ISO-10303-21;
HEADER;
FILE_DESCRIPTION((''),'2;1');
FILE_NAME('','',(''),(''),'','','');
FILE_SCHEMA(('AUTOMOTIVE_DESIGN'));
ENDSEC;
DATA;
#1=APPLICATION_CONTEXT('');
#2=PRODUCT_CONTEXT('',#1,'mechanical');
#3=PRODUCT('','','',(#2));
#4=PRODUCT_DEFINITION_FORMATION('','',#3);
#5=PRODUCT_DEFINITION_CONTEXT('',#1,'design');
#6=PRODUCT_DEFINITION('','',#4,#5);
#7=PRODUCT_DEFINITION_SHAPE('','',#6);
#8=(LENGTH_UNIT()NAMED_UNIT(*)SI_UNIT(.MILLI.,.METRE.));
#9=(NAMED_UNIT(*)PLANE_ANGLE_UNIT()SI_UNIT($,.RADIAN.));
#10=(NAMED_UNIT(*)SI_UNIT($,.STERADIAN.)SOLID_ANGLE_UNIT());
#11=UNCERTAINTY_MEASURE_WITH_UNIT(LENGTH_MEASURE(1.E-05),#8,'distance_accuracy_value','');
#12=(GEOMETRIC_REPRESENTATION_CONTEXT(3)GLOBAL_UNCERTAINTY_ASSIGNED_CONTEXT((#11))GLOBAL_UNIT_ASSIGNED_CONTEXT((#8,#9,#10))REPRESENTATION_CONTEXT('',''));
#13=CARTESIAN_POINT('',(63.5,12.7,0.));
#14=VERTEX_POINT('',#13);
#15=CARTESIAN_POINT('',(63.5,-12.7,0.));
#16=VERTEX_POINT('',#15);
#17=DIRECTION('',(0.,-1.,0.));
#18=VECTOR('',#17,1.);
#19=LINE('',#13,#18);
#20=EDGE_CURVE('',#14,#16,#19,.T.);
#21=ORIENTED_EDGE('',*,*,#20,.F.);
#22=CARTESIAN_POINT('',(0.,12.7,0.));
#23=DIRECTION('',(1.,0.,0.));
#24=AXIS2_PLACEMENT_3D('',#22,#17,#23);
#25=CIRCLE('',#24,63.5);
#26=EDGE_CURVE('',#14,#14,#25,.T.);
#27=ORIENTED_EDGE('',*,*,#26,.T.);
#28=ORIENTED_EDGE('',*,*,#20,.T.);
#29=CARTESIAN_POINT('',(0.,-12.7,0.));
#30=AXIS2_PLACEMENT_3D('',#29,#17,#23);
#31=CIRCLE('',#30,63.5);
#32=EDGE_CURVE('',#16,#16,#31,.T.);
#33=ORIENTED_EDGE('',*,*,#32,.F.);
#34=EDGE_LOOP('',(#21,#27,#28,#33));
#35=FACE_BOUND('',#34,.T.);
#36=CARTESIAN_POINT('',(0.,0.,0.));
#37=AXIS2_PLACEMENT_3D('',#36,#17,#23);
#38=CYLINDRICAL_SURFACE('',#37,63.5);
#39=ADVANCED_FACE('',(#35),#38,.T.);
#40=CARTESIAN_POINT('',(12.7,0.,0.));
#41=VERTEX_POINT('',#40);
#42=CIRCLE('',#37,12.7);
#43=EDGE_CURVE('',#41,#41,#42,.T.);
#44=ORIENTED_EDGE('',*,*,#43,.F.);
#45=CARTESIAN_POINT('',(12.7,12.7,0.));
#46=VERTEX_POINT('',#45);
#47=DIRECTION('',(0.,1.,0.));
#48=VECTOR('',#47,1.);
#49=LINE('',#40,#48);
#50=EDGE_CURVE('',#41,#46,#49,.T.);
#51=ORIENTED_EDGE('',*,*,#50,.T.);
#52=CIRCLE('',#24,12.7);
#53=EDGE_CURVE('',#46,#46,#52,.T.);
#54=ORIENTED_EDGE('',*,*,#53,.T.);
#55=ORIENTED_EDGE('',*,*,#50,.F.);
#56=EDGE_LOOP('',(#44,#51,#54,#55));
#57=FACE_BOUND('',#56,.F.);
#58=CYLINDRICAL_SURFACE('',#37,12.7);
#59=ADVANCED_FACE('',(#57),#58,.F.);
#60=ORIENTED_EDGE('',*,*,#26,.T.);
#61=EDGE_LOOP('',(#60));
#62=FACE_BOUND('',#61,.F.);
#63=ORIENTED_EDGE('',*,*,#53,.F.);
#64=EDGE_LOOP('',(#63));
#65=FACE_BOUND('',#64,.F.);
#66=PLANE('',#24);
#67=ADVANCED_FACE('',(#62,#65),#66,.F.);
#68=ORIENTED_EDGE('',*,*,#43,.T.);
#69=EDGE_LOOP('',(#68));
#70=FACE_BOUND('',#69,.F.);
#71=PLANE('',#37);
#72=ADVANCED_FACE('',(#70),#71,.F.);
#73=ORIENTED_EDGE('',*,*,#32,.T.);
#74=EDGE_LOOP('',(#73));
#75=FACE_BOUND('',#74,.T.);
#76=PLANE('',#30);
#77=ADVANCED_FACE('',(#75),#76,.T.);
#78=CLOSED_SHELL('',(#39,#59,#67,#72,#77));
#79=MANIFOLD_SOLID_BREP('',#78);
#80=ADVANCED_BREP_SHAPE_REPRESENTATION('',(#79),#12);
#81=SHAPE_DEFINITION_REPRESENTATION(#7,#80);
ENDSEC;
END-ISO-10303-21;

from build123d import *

# Parameters (mm, degrees)
F0_R          = 63.5
F1_DEPTH      = 12.7
F1_DEPTH_BACK = 12.7
F2_R          = 12.7
F3_DEPTH      = 25.4


with BuildPart() as f1:
    # F0 (on Front) → F1 (new body, two sides)
    with BuildSketch(Plane.XZ) as f1_sk:
        Circle(F0_R)
    extrude(amount=F1_DEPTH)
    extrude(f1_sk.sketch, amount=-F1_DEPTH_BACK)

    # F2 (on Front) → F3 (cut)
    with BuildSketch(Plane.XZ):
        Circle(F2_R)
    extrude(amount=-F3_DEPTH, mode=Mode.SUBTRACT)


solid = f1.part
